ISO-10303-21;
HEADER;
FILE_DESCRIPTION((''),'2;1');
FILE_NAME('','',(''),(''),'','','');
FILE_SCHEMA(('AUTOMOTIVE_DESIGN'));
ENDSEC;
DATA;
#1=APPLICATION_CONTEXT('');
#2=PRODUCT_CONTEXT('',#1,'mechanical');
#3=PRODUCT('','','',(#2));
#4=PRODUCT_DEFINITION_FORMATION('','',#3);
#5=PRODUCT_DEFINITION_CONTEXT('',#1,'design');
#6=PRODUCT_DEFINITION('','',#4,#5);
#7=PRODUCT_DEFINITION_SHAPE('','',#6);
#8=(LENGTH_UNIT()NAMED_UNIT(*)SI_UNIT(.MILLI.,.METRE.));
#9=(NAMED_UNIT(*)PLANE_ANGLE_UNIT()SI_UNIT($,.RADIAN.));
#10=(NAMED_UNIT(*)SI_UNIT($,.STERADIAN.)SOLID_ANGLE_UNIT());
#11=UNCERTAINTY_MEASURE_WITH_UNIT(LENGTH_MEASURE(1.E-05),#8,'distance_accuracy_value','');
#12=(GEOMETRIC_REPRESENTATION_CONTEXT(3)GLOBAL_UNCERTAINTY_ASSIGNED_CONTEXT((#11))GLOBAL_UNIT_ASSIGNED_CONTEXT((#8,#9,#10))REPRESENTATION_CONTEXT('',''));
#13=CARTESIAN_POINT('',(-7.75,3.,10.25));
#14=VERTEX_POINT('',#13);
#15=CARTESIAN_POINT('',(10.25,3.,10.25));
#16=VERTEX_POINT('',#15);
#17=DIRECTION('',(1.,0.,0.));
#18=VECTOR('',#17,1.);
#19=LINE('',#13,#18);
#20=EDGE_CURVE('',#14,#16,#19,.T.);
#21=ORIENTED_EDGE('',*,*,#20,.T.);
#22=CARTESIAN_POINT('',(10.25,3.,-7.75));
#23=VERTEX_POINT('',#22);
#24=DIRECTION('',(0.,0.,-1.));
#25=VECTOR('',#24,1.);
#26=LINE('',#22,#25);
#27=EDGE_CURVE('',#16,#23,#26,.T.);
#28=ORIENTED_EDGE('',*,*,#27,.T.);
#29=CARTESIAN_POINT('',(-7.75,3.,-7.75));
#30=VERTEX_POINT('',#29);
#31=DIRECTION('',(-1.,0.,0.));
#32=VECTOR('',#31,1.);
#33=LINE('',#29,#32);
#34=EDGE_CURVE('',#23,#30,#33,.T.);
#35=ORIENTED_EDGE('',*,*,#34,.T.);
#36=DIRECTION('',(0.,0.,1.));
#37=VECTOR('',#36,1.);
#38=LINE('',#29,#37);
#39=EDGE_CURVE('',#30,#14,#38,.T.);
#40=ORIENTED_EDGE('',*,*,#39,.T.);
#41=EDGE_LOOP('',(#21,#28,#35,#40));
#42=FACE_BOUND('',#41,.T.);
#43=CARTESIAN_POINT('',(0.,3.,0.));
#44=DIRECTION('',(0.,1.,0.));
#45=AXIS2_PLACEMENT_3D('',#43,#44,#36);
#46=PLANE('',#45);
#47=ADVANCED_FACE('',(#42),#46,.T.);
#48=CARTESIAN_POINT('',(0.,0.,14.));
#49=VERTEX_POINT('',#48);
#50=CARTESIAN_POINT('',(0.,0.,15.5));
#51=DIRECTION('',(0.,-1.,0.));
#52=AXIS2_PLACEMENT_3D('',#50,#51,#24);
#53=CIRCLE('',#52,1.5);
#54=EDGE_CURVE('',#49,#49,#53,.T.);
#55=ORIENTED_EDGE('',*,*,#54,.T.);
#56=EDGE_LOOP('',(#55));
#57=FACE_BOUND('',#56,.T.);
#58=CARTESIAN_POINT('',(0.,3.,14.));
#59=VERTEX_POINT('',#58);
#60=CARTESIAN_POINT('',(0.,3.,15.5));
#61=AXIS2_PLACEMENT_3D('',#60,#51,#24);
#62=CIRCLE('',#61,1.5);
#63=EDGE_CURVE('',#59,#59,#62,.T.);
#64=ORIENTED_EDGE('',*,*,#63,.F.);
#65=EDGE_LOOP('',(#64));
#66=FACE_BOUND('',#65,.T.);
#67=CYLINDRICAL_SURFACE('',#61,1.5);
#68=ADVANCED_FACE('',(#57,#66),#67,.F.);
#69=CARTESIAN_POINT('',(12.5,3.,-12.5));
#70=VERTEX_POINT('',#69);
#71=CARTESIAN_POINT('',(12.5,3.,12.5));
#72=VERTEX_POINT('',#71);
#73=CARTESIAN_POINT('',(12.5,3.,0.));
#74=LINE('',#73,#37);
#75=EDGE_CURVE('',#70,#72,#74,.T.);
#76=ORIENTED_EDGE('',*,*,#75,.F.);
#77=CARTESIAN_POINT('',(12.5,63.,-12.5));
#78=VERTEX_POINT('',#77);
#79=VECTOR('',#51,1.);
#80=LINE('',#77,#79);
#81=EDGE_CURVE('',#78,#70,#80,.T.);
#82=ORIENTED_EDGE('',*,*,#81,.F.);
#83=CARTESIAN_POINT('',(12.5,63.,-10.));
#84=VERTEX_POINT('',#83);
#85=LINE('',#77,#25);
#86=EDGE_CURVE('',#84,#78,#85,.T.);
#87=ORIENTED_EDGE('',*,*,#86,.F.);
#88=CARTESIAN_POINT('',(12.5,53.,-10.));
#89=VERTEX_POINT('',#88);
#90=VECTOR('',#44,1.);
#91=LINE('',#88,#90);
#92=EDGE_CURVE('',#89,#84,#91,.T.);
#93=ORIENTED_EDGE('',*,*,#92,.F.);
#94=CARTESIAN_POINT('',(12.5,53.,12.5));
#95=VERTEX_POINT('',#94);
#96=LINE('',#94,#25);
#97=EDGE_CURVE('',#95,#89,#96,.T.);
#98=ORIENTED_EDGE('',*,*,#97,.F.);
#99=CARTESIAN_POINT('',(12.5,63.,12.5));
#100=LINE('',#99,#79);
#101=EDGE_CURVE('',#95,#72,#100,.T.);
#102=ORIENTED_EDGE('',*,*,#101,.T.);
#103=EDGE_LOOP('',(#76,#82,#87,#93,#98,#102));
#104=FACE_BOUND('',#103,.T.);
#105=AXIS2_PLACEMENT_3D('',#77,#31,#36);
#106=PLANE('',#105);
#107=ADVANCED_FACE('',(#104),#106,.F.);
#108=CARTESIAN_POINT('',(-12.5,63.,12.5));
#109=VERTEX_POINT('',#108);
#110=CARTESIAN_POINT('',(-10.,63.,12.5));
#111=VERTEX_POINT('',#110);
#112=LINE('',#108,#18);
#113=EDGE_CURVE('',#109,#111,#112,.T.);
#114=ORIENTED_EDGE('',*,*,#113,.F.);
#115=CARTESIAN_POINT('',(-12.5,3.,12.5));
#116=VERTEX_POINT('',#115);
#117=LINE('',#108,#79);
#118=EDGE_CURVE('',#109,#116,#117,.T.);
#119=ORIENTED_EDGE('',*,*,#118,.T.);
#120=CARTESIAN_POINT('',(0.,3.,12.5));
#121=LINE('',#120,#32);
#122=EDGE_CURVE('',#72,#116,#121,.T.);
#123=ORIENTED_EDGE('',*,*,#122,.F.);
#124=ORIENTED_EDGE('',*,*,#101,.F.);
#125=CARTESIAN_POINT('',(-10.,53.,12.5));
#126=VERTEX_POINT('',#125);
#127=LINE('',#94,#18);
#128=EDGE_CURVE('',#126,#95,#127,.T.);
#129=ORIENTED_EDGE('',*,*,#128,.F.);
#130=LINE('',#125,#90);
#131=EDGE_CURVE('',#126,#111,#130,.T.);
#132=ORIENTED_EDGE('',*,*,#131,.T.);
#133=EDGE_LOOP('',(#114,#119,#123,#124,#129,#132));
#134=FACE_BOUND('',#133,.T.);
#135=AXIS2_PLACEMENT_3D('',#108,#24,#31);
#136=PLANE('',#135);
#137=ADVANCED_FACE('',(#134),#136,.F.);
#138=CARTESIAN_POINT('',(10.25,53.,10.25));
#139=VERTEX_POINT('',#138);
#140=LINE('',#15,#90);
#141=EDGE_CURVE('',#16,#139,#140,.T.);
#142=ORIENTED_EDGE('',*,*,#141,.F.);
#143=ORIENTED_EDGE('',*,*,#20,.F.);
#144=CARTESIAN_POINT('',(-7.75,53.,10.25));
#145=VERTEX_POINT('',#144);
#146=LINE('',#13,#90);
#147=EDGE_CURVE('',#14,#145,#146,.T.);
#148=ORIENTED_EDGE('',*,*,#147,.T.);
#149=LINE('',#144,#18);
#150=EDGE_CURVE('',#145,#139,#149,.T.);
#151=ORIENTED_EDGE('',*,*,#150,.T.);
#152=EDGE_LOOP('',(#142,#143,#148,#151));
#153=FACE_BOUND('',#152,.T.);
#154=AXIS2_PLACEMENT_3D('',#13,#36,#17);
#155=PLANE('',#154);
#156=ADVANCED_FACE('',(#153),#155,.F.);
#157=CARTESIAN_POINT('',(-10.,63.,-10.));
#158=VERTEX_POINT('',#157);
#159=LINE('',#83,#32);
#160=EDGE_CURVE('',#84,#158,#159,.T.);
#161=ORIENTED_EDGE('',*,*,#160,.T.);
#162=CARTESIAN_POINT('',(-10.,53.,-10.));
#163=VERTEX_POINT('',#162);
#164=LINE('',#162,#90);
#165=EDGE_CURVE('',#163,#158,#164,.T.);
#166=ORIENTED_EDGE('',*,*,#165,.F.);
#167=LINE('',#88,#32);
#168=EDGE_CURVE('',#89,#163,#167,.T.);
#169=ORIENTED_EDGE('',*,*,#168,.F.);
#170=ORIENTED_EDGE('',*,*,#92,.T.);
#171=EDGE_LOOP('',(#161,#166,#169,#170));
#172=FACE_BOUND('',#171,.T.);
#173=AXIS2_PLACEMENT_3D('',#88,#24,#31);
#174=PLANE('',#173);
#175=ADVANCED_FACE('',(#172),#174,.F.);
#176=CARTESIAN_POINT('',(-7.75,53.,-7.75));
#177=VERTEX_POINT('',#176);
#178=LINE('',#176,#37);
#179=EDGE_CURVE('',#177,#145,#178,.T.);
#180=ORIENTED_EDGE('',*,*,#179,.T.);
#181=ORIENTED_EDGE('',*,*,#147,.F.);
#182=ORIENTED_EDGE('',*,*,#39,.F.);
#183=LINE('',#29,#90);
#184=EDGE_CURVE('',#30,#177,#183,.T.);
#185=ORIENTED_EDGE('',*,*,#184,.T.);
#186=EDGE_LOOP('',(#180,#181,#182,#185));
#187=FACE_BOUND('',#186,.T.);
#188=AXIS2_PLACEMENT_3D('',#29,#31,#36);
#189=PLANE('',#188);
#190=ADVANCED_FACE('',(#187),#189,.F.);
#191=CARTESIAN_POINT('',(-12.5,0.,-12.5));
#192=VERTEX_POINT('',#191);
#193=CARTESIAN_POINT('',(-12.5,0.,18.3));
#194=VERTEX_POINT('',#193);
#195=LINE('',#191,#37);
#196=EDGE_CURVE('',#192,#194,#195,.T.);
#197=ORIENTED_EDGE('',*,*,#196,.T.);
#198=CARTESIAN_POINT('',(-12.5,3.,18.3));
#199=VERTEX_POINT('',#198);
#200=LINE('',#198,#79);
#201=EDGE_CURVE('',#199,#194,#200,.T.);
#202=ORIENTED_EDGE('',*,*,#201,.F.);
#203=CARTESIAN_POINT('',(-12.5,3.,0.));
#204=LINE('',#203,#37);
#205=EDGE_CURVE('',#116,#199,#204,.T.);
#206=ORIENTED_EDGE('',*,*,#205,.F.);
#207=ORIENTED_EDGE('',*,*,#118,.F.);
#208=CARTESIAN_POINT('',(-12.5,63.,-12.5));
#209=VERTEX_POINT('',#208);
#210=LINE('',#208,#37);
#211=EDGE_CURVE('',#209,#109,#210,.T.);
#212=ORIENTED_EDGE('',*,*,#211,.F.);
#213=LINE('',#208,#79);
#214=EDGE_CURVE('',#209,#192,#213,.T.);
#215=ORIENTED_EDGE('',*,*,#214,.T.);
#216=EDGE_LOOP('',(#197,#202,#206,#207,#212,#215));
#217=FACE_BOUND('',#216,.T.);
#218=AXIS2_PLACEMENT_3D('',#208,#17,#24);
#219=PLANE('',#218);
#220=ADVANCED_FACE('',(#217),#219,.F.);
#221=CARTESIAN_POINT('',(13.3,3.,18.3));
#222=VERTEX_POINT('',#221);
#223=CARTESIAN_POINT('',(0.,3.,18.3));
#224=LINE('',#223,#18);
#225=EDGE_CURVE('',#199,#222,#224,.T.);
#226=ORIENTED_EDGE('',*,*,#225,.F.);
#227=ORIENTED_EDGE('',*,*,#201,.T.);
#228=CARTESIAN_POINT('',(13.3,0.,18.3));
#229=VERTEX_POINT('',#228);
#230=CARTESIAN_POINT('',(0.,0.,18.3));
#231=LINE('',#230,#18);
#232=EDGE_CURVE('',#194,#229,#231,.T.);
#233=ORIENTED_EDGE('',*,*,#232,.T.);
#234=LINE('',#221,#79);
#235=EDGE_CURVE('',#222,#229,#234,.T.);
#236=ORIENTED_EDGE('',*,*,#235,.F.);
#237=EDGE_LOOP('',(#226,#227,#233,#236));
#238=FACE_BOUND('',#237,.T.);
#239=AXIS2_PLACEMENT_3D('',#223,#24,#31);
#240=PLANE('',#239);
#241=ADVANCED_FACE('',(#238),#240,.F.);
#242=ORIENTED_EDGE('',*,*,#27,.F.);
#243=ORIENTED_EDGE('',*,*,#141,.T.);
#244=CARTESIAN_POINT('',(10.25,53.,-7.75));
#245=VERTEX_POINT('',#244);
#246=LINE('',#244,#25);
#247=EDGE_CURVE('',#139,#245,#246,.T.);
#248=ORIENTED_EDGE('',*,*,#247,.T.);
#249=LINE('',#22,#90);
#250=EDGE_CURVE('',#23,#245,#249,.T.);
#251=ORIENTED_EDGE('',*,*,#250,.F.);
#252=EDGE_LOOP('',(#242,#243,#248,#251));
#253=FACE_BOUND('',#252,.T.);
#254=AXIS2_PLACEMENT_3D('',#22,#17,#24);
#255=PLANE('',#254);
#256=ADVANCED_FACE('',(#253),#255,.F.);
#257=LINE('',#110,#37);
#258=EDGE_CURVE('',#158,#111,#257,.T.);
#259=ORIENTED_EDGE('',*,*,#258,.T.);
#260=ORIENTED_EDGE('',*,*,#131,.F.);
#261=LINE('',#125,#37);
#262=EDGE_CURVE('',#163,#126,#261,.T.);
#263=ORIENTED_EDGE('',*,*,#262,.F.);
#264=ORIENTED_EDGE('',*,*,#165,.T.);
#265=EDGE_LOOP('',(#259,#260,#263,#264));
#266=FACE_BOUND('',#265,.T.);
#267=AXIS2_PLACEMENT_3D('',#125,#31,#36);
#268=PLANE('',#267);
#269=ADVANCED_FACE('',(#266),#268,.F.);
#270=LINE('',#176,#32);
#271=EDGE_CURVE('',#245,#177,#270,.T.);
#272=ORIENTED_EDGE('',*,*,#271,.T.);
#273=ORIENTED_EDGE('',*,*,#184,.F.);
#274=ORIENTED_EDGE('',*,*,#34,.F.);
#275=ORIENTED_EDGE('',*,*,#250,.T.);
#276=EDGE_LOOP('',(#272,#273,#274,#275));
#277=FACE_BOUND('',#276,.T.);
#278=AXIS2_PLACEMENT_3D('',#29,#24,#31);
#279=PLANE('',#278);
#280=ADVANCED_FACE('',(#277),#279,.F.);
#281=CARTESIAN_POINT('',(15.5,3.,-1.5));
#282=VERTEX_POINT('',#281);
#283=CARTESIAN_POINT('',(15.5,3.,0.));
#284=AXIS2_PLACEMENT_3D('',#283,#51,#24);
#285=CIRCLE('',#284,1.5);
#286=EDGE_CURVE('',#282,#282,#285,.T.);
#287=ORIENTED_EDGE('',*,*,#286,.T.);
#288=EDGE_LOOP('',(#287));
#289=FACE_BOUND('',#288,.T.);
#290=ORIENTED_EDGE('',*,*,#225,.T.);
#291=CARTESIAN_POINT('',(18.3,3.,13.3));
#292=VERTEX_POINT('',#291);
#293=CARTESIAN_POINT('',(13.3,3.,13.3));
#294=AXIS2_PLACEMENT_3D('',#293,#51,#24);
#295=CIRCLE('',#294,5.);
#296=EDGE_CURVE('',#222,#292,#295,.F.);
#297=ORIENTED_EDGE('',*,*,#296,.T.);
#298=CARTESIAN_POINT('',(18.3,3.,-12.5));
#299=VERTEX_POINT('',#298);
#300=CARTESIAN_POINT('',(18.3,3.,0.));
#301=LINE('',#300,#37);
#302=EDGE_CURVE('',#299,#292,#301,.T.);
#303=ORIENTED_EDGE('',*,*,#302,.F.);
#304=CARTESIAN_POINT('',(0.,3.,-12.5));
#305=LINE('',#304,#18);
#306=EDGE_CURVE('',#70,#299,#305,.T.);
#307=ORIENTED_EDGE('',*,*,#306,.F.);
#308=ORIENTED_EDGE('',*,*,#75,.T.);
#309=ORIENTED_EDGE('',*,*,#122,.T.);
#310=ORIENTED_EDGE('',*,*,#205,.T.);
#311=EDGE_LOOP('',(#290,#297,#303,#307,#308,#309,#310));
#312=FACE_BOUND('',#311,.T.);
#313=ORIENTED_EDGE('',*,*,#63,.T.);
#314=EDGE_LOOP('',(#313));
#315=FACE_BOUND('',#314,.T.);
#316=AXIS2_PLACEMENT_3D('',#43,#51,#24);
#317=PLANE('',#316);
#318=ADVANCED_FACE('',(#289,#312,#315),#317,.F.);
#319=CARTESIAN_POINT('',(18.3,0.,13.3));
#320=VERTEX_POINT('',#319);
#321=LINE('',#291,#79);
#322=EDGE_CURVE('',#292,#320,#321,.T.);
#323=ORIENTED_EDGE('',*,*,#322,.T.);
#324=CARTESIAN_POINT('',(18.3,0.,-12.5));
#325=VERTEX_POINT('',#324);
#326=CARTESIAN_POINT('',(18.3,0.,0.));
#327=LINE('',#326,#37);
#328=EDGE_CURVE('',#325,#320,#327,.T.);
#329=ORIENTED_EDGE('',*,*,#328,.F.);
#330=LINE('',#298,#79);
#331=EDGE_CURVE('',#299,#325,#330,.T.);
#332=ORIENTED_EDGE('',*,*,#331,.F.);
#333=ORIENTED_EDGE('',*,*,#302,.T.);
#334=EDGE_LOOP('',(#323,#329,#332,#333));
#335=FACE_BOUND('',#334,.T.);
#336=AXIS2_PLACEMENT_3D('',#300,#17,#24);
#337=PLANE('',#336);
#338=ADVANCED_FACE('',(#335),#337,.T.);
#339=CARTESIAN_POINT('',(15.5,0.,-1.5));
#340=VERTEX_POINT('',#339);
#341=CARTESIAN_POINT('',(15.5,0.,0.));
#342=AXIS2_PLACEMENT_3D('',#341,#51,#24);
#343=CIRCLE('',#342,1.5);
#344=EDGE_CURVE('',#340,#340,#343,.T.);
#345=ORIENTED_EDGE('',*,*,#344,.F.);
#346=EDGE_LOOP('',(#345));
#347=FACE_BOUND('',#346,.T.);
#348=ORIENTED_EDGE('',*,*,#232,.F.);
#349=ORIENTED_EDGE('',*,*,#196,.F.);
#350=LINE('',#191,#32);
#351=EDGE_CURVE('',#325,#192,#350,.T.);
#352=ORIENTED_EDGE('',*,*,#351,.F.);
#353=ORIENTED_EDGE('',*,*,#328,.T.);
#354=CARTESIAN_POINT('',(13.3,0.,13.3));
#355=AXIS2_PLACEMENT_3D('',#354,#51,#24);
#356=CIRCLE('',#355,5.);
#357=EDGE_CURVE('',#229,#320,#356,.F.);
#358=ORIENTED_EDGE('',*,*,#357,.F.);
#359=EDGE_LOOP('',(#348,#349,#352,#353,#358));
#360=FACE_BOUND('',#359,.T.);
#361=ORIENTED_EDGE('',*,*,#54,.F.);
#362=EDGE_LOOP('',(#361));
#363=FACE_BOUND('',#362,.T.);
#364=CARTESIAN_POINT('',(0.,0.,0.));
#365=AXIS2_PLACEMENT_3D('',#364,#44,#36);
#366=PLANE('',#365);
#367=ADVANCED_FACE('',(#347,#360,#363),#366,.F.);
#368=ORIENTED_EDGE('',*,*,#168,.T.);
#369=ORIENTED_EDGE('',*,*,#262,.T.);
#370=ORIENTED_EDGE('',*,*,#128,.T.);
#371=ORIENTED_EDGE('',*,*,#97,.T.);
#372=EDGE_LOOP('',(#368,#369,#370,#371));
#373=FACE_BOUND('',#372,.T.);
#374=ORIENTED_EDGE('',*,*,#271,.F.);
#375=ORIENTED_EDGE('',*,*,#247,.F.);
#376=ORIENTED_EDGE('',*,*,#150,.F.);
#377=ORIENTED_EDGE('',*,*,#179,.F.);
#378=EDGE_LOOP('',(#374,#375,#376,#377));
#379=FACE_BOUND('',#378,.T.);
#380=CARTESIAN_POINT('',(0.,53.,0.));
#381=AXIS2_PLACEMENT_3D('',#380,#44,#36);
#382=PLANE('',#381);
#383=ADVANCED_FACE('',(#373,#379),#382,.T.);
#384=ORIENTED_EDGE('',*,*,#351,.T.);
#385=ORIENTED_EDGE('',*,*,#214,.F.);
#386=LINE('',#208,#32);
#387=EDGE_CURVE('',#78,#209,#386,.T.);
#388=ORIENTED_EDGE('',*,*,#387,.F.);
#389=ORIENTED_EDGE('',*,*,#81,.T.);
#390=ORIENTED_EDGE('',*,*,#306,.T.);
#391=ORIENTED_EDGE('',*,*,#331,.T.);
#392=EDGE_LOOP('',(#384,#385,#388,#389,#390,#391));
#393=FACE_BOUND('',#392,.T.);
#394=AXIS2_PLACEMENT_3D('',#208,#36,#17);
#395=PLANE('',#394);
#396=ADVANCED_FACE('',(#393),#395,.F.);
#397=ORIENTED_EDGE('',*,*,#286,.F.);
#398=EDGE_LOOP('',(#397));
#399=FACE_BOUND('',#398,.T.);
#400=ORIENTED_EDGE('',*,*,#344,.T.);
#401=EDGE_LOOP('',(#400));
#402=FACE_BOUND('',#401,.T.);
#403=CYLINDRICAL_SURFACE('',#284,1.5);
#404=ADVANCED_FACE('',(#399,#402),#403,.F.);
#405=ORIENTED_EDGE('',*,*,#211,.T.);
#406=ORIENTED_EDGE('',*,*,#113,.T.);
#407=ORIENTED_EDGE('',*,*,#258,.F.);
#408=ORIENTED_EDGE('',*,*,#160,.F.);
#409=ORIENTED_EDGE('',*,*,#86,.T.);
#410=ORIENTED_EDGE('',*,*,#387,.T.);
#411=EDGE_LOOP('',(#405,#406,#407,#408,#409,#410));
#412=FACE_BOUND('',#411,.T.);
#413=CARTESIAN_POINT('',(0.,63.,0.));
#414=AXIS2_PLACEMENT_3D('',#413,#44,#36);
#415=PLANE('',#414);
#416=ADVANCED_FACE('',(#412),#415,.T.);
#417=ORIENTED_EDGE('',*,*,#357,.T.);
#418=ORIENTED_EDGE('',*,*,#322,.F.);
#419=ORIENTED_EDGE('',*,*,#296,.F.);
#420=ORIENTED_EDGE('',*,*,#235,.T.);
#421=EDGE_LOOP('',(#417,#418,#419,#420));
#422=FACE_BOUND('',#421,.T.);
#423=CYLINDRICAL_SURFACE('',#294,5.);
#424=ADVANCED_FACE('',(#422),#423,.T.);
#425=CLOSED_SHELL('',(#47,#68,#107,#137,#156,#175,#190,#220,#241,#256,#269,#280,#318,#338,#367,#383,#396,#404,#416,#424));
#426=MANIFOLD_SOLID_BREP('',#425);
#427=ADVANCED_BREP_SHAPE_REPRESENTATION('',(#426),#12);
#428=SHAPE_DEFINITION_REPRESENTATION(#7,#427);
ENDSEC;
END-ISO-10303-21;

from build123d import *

# Parameters (mm, degrees)
SKETCH1_W           = 25
SKETCH1_H           = 25
BOSS_EXTRUDE1_DEPTH = 63
SKETCH2_W           = 22.5
SKETCH2_H           = 22.5
CUT_EXTRUDE2_DEPTH  = 10
SKETCH4_W           = 25
SKETCH4_H           = 25
SKETCH4_R           = 1.5
BOSS_EXTRUDE2_DEPTH = 3
SKETCH5_W           = 18
SKETCH5_H           = 18
CUT_EXTRUDE3_DEPTH  = 50


with BuildPart() as part:
    # Sketch1 → Boss-Extrude1 (new body)
    with BuildSketch(Plane(origin=(0, 0, 0), x_dir=(1, 0, 0), z_dir=(0, 1, 0))):
        Rectangle(SKETCH1_W, SKETCH1_H)
    extrude(amount=BOSS_EXTRUDE1_DEPTH)

    # Sketch2 → Cut-Extrude2 (cut)
    with BuildSketch(Plane(origin=(0, 63, 0), x_dir=(1, 0, 0), z_dir=(0, 1, 0))):
        with Locations((1.25, -1.25)):
            Rectangle(SKETCH2_W, SKETCH2_H)
    extrude(amount=-CUT_EXTRUDE2_DEPTH, mode=Mode.SUBTRACT)

    # Sketch4 → Boss-Extrude2 (add)
    # profile 1 of 2: a face of its own
    with BuildSketch(Plane.XZ):
        Rectangle(SKETCH4_W, SKETCH4_H)
    # profile 2 of 2: a face of its own
    with BuildSketch(Plane.XZ):
        with BuildLine():
            Line((12.5, 12.5), (12.5, -12.5))
            Line((12.5, -12.5), (18.3, -12.5))
            Line((18.3, -12.5), (18.3, 13.3))
            ThreePointArc((18.3, 13.3), (16.835533906, 16.835533906), (13.3, 18.3))
            Line((13.3, 18.3), (-12.5, 18.3))
            Line((-12.5, 18.3), (-12.5, 12.5))
            Line((-12.5, 12.5), (12.5, 12.5))
        make_face()
        with Locations(Location((15.5, 0, 0), (0, 0, 270))):
            Circle(SKETCH4_R, mode=Mode.SUBTRACT)
        with Locations(Location((0, 15.5, 0), (0, 0, 270))):
            Circle(SKETCH4_R, mode=Mode.SUBTRACT)
    extrude(amount=-BOSS_EXTRUDE2_DEPTH)

    # Sketch5 → Cut-Extrude3 (cut)
    with BuildSketch(Plane(origin=(0, 53, 0), x_dir=(1, 0, 0), z_dir=(0, 1, 0))):
        with Locations((1.25, -1.25)):
            Rectangle(SKETCH5_W, SKETCH5_H)
    extrude(amount=-CUT_EXTRUDE3_DEPTH, mode=Mode.SUBTRACT)


solid = part.part
